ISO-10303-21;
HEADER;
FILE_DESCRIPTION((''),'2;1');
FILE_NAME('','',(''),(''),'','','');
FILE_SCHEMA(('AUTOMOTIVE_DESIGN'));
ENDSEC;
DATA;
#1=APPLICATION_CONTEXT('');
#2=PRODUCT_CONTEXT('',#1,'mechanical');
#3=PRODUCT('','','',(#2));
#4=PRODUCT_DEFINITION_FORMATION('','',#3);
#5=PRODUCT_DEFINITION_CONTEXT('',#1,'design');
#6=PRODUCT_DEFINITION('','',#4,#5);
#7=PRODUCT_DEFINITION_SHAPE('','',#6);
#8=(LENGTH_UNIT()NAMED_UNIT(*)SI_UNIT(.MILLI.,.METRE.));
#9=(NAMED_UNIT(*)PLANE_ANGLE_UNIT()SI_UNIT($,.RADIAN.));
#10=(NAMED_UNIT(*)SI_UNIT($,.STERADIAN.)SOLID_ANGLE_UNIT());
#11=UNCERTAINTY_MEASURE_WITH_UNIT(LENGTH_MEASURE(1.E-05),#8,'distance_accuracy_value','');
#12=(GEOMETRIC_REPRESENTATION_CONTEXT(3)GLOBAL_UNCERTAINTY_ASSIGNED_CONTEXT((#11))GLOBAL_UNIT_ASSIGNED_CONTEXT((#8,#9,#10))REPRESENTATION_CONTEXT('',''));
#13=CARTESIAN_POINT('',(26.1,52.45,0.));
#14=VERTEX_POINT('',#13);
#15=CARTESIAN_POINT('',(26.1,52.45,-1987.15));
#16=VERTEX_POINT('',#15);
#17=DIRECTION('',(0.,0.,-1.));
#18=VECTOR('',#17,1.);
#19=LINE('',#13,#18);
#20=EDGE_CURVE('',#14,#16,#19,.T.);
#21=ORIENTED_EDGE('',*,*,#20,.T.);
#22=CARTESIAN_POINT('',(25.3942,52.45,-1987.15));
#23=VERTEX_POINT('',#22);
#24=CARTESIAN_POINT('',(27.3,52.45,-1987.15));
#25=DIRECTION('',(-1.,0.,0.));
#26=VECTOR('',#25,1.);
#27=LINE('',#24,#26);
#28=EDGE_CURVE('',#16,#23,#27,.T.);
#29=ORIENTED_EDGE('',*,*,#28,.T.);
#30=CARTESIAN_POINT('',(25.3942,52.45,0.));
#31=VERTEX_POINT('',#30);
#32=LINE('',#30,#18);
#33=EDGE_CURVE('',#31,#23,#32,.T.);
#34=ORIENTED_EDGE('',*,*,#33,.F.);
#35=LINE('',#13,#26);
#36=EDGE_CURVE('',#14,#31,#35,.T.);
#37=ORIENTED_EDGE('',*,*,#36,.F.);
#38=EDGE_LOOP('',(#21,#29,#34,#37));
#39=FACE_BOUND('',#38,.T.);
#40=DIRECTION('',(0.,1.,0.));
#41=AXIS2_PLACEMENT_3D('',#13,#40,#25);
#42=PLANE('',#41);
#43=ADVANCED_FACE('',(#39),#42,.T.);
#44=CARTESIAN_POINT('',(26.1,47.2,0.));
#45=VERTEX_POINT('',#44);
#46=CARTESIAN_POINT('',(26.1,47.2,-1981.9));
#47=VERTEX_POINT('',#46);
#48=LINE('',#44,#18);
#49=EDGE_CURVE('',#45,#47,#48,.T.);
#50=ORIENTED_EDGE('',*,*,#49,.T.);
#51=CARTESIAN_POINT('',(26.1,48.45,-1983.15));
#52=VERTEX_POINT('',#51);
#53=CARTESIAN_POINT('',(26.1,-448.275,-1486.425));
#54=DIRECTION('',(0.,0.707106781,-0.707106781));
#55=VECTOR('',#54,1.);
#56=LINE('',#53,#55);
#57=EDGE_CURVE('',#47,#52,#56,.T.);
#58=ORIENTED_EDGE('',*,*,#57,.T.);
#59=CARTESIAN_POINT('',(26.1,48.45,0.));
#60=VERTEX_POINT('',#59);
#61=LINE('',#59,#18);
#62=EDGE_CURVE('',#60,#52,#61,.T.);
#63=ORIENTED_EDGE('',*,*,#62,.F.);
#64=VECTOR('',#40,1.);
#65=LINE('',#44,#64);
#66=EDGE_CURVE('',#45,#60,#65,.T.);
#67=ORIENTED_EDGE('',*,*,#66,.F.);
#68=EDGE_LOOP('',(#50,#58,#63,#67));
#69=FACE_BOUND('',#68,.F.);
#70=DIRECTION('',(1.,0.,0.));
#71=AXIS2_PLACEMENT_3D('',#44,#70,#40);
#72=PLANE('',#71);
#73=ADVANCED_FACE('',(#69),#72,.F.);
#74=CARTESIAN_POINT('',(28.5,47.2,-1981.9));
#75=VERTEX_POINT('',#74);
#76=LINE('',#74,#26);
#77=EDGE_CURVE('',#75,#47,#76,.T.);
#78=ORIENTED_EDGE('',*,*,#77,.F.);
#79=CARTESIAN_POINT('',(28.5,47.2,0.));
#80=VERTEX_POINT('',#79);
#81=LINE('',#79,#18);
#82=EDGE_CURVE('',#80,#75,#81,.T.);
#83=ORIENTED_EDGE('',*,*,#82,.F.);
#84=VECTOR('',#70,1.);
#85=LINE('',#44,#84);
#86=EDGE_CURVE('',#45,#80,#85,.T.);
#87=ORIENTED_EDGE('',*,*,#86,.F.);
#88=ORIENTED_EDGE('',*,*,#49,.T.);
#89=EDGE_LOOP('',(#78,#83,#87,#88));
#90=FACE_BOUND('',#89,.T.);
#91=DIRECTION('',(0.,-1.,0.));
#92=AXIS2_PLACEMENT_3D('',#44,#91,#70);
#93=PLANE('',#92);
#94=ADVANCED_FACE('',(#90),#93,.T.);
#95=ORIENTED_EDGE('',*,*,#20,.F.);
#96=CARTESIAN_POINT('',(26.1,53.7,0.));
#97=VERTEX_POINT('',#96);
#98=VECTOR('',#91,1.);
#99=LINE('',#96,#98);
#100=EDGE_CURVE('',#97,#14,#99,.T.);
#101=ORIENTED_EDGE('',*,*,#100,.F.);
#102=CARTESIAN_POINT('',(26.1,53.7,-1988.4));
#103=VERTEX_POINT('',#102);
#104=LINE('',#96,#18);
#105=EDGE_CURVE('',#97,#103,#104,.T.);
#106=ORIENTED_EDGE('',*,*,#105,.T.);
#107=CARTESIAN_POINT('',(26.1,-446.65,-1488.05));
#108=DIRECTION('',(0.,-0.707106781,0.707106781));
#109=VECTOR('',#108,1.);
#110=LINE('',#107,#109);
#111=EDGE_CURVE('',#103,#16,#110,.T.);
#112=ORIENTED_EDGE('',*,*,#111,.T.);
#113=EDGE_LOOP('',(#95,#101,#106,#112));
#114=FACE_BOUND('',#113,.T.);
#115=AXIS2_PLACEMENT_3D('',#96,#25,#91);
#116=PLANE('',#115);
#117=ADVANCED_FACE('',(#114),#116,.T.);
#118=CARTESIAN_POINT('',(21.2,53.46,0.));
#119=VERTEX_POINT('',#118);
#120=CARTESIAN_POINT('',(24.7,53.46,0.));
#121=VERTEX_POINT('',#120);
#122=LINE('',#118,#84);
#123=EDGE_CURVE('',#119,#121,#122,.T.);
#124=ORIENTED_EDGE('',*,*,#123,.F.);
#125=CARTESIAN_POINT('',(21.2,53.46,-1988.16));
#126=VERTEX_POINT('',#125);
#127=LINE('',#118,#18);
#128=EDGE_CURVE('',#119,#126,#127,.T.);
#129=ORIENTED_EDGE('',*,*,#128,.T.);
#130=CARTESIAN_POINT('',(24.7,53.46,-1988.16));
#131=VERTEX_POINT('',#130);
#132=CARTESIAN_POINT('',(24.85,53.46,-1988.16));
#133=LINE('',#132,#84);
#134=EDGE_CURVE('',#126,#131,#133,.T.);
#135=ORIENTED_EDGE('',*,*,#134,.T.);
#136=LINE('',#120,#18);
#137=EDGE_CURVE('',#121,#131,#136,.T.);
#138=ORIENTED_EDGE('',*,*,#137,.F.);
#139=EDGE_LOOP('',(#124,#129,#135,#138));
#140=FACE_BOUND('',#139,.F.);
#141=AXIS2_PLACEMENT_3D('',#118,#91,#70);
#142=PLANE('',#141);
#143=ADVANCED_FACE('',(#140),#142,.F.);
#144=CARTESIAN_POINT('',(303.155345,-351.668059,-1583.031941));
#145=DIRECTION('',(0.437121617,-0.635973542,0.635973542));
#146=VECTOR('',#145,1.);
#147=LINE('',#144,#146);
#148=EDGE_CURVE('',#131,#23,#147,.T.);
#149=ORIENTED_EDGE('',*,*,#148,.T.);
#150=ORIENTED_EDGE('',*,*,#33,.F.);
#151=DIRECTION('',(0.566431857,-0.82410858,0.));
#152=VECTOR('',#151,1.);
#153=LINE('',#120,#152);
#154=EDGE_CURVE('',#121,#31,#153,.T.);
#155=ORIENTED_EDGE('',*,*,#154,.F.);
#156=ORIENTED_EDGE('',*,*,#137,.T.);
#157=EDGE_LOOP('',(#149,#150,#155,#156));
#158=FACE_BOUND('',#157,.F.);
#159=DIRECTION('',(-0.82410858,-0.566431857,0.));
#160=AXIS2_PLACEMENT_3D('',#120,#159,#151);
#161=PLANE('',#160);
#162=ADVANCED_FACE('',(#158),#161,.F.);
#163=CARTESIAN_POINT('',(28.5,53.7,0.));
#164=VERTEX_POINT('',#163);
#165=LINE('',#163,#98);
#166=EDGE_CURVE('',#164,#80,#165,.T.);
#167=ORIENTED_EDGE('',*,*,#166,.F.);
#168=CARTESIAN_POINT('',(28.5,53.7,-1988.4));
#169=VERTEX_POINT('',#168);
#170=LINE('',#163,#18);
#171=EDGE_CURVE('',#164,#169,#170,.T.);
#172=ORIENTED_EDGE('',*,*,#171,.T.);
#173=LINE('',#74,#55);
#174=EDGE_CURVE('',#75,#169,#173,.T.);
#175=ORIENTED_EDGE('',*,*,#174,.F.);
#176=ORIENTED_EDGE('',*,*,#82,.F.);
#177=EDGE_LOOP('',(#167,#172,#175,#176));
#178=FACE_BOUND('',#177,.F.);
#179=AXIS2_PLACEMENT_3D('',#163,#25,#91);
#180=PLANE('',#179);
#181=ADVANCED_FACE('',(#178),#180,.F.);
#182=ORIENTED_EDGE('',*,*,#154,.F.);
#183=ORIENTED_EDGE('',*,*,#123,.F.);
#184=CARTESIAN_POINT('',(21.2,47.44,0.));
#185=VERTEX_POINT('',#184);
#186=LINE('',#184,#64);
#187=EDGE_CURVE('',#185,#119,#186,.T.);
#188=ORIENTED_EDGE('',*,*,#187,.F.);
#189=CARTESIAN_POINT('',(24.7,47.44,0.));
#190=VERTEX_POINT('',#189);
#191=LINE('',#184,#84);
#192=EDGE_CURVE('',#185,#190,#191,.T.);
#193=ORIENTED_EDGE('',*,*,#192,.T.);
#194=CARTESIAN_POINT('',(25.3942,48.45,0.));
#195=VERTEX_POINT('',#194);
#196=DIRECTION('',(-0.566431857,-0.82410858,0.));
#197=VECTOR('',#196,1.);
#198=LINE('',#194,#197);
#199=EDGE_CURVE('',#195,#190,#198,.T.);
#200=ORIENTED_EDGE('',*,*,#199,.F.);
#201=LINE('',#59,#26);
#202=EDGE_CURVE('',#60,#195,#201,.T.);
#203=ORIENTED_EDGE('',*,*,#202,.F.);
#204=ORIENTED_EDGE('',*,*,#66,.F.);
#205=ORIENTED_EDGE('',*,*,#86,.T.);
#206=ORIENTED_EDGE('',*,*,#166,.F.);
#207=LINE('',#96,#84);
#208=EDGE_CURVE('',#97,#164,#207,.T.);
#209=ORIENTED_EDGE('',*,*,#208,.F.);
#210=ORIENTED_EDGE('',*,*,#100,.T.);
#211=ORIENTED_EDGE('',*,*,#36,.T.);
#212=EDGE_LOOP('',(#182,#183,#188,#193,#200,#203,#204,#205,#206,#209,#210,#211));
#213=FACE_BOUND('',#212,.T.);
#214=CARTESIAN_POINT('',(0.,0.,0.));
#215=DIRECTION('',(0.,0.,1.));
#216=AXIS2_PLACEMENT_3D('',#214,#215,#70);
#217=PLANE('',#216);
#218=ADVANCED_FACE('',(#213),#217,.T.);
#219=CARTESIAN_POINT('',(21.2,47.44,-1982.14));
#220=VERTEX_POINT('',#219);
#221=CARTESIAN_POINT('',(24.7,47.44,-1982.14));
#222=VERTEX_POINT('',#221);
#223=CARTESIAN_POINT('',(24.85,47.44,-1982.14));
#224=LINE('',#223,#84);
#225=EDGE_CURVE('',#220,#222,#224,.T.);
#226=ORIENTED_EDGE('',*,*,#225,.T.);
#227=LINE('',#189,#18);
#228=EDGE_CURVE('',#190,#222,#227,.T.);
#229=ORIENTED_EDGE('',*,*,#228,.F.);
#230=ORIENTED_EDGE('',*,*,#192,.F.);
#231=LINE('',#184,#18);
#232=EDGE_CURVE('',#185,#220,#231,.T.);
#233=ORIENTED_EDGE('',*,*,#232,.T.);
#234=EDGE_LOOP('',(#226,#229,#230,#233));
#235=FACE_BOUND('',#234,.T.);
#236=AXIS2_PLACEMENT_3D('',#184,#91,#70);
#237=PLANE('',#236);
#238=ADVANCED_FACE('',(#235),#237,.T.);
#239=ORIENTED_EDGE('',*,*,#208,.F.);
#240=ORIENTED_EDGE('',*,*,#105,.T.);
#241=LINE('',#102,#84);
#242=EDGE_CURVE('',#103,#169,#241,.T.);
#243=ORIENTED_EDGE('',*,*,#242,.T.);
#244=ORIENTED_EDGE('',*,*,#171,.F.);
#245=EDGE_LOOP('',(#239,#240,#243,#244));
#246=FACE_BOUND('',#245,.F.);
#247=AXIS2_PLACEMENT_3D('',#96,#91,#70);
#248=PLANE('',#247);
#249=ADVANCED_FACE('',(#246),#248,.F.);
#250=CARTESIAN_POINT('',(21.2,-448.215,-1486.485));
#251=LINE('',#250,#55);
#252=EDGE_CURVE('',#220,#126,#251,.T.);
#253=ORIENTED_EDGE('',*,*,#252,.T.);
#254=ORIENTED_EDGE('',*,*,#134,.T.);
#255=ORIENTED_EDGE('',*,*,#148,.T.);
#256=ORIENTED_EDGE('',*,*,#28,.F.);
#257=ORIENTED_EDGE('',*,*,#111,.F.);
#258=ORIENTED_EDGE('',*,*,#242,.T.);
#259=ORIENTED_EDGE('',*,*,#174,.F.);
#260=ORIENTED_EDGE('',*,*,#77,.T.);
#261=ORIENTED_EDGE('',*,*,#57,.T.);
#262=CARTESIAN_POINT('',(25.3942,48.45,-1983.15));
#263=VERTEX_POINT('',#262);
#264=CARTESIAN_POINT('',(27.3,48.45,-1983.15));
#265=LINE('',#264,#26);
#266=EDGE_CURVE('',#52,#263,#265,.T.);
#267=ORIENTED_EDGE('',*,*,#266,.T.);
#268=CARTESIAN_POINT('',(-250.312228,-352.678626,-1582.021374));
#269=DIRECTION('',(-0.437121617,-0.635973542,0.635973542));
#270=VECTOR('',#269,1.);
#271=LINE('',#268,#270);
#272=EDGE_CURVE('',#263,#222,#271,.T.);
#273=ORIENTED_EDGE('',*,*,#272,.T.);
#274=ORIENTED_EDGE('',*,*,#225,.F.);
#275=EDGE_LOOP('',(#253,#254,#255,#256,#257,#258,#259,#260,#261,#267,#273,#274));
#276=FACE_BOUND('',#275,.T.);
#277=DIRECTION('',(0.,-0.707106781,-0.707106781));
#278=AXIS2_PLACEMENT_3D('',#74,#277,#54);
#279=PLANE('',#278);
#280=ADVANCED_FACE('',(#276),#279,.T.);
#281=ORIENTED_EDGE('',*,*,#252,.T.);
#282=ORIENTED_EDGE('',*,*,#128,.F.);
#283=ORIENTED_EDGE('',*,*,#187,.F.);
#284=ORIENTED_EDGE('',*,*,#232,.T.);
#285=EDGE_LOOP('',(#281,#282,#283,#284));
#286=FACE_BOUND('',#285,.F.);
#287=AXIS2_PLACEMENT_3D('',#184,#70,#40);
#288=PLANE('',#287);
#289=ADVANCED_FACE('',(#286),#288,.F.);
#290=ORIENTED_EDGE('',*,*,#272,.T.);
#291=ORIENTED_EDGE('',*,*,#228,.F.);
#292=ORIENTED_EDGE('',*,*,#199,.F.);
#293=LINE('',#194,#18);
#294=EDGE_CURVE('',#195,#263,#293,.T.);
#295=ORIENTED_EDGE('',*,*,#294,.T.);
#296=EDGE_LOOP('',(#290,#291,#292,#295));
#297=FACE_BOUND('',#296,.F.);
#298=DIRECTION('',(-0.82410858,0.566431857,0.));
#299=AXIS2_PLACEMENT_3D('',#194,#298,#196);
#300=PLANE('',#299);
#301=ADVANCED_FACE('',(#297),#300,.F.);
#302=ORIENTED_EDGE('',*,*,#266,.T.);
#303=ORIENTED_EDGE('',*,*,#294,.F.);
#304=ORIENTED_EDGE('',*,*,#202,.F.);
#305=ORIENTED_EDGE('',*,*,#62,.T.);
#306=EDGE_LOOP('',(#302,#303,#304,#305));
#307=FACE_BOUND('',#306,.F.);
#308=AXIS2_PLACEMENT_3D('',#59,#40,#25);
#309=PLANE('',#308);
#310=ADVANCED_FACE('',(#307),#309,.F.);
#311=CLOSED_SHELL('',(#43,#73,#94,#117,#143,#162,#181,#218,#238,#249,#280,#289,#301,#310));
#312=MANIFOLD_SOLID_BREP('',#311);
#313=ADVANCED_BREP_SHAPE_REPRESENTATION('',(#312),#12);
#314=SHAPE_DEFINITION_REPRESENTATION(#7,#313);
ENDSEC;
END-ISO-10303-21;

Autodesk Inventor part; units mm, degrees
ref_plane "YZ Plane" through (0, 0, 0) normal (1, 0, 0) x (0, 1, 0)
ref_plane "XZ Plane" through (0, 0, 0) normal (0, 1, 0) x (-1, 0, 0)
ref_plane "XY Plane" through (0, 0, 0) normal (0, 0, 1) x (1, 0, 0)
sketch "Boceto1" plane through (0, 0, 0) normal (0, 0, 1) x (1, 0, 0)
  line L0 (28.5, 53.7) -> (28.5, 47.2)
  line L1 (26.1, 47.2) -> (28.5, 47.2)
  line L2 (26.1, 48.45) -> (25.3942, 48.45)
  line L3 (25.3942, 48.45) -> (24.7, 47.44)
  line L4 (26.1, 52.45) -> (25.3942, 52.45)
  line L5 (26.1, 53.7) -> (28.5, 53.7)
  line L6 (24.7, 53.46) -> (25.3942, 52.45)
  line L7 (26.1, 53.7) -> (26.1, 52.45)
  line L8 (26.1, 47.2) -> (26.1, 48.45)
  line L9 (21.2, 53.46) -> (24.7, 53.46)
  line L10 (21.2, 47.44) -> (24.7, 47.44)
  line L11 (21.2, 47.44) -> (21.2, 53.46)
  point P0 (28.5, 50.45)
  dimension "d78" = 6.5
  dimension "d88" = 2.4
  dimension "d100" = 2.4
  dimension "d108" = 4
  dimension "d109" = 0.7058
  dimension "d110" = 0.7058
  dimension "d145" = 2
  dimension "d146" = 2
  dimension "d149" = 3.5
  dimension "d150" = 3.5
extrude "Extrusión1" add sketch "Boceto1" against normal blind 1988.4
sketch "Boceto2" plane through (28.5, -22.9, 0) normal (-1, 0, 0) x (0, 0, 1)
  line L0 (-1988.4, 76.6) -> (-1988.4, 70.1) projected
  line L1 (-1988.4, 70.1) -> (-1988.4, 76.6)
  line L2 (-1988.4, 70.1) -> (-1981.9, 70.1)
  line L3 (-1981.9, 70.1) -> (-1988.4, 76.6)
  dimension "d148" = 45
extrude "Extrusión2" cut sketch "Boceto2" along normal through all
properties part number "SP40-02 JUNTA INT 207" material "Caucho, negro"
